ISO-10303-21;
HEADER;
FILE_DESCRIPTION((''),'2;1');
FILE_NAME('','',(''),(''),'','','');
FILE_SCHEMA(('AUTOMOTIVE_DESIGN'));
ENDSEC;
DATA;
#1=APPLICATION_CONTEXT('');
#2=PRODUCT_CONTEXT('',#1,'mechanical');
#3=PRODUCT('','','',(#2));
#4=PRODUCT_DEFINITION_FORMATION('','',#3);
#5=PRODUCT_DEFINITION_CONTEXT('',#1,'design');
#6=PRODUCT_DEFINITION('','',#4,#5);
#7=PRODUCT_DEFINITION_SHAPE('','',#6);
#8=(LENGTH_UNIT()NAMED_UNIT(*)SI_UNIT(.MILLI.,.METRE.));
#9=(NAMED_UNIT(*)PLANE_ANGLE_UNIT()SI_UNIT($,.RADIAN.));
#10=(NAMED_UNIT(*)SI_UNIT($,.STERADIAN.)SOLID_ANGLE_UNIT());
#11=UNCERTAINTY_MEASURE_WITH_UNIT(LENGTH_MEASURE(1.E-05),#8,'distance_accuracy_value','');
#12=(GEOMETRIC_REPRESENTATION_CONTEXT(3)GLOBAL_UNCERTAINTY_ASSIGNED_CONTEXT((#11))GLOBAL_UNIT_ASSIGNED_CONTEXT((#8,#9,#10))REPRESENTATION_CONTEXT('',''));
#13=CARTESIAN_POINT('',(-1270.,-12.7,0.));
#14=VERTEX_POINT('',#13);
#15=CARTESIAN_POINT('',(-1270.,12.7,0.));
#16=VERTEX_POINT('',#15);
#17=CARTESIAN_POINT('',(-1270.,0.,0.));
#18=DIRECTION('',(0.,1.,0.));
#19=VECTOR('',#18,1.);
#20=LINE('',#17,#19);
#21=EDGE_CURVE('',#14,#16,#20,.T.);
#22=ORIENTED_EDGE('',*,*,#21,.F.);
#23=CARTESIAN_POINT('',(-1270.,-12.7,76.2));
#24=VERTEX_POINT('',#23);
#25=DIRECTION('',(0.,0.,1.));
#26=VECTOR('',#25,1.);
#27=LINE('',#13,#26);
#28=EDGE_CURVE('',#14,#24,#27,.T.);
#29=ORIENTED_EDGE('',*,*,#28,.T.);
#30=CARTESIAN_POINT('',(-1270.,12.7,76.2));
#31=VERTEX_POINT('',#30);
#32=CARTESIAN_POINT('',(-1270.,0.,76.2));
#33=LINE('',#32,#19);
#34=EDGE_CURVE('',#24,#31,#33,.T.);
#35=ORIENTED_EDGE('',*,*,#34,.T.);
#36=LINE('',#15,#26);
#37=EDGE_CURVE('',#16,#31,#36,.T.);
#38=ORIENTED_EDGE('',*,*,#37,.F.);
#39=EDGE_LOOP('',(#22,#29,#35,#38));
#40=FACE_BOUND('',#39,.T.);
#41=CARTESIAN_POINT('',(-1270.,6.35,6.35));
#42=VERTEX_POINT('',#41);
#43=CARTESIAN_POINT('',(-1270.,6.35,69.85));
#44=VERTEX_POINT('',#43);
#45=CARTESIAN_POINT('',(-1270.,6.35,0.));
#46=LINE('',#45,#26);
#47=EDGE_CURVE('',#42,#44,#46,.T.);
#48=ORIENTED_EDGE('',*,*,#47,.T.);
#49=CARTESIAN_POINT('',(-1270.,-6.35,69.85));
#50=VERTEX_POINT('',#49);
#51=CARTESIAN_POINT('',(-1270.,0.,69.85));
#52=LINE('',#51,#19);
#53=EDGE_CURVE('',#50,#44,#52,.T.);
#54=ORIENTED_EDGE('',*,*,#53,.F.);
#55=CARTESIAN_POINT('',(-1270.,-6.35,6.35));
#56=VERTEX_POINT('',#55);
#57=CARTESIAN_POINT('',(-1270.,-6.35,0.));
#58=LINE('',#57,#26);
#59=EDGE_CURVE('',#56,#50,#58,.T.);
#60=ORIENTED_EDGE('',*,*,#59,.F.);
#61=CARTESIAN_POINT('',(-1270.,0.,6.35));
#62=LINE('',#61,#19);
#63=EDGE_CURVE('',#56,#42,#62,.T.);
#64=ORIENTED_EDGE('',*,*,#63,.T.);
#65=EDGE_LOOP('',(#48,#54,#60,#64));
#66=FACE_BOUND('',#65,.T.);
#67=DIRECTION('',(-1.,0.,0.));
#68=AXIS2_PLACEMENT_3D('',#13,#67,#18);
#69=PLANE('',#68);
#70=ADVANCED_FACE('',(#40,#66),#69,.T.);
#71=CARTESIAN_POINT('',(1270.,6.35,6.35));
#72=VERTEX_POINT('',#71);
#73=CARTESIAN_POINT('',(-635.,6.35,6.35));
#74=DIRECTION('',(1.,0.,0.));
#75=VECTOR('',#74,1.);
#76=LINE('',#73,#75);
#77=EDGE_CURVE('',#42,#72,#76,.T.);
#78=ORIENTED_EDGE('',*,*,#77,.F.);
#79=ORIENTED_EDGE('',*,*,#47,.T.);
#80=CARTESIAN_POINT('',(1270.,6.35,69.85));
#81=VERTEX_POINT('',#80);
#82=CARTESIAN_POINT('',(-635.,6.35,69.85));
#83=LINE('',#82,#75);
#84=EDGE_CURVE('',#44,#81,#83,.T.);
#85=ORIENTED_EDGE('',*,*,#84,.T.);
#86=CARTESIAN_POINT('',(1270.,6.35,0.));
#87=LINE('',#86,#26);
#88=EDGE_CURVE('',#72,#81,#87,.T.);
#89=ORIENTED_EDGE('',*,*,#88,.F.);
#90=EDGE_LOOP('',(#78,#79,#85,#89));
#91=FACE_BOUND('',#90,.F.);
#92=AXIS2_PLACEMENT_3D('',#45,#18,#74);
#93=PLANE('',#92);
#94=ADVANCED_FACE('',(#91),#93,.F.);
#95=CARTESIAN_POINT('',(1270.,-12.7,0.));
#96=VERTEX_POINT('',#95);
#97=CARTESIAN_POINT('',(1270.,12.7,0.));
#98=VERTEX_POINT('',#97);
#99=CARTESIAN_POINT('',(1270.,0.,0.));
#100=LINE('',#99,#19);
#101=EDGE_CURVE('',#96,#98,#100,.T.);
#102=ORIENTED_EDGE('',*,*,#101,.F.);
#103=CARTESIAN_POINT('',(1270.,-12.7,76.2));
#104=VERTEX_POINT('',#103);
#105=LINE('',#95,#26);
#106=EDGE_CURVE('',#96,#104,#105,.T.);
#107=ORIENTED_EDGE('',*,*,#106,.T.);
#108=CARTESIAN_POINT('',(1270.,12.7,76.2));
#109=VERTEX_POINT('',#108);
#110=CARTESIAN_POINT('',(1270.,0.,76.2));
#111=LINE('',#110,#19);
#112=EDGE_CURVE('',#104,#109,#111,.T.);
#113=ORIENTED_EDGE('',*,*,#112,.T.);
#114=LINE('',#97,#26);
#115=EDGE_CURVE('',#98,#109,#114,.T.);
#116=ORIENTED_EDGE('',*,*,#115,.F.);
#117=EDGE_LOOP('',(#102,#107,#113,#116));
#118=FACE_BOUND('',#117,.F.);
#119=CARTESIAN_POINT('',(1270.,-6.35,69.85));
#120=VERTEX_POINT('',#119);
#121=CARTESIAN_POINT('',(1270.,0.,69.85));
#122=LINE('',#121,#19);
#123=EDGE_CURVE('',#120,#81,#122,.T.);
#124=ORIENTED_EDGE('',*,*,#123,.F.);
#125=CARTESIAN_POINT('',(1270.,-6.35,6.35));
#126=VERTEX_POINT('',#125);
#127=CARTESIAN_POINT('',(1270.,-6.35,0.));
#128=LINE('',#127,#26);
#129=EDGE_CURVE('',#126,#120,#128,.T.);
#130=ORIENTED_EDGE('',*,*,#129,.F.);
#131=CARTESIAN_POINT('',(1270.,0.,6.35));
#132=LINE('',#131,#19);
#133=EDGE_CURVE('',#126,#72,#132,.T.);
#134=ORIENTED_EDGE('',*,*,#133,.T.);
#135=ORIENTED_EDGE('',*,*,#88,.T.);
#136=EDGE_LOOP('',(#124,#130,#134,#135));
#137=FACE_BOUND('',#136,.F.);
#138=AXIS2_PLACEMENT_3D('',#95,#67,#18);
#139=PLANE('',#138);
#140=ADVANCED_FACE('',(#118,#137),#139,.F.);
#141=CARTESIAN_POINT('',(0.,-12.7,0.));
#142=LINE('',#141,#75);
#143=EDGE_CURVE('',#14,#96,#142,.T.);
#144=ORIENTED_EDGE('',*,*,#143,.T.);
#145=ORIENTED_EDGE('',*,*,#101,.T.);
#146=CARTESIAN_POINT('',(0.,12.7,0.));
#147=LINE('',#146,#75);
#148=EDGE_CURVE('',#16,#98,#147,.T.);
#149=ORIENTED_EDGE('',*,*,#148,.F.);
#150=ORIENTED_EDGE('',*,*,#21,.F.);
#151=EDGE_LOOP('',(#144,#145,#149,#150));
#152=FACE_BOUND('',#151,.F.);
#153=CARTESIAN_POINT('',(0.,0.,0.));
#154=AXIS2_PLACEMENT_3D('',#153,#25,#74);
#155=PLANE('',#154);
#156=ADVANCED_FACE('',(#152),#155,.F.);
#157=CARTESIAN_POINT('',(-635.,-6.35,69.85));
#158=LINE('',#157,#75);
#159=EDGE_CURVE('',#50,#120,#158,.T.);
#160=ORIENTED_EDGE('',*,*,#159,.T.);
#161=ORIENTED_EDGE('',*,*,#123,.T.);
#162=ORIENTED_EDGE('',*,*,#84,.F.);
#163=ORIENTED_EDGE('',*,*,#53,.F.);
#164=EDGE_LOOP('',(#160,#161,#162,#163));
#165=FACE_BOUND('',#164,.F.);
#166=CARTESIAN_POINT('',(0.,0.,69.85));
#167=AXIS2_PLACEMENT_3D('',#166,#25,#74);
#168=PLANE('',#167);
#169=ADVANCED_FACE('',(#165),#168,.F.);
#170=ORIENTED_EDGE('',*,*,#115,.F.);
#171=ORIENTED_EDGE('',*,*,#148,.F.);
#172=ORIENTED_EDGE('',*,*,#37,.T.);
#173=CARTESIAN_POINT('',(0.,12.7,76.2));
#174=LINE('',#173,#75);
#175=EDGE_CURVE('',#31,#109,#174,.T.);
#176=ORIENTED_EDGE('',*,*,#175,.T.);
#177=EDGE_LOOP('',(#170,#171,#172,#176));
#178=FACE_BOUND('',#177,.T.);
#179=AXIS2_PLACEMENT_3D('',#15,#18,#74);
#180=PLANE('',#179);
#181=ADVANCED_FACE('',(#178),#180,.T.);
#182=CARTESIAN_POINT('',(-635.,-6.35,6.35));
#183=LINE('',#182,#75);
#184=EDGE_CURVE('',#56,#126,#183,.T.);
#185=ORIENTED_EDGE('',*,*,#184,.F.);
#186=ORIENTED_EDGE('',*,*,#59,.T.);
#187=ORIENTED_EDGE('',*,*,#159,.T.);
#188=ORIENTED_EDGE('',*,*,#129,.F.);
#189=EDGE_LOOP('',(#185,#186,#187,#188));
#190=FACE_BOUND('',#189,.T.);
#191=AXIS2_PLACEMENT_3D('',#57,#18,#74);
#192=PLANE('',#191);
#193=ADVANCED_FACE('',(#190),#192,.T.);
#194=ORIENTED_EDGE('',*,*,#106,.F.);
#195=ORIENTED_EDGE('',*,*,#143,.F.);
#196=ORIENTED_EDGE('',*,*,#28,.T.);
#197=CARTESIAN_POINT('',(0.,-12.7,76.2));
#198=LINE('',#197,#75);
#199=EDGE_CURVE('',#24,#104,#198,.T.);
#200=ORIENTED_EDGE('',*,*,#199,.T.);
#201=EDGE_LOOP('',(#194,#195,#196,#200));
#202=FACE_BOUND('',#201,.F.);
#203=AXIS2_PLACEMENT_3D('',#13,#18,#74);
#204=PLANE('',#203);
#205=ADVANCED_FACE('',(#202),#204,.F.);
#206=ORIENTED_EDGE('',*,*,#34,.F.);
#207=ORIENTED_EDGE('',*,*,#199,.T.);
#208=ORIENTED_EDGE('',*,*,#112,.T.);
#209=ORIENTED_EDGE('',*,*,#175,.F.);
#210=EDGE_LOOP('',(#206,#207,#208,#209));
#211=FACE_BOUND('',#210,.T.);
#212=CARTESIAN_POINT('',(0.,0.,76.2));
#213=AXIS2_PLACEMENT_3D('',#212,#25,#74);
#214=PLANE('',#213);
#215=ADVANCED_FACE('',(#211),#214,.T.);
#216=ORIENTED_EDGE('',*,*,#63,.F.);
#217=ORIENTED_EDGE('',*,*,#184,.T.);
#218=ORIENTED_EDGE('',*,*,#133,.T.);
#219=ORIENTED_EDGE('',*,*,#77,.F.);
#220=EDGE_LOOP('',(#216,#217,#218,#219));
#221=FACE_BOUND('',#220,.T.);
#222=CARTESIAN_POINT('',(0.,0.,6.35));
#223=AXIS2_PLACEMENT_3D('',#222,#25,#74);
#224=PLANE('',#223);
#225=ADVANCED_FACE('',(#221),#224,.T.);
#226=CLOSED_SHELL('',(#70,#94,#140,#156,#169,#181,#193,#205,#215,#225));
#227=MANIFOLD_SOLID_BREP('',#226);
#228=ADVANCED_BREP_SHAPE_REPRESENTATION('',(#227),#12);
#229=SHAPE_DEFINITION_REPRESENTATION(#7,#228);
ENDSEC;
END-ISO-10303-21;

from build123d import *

# Parameters (mm, degrees)
F0_W     = 2540
F0_H     = 25.4
F1_DEPTH = 76.2
F2_T     = -6.35


with BuildPart() as f1:
    # F0 (on Top) → F1 (new body)
    with BuildSketch(Plane.XY):
        Rectangle(F0_W, F0_H)
    extrude(amount=F1_DEPTH)

    # F2
    f2_openings = [f1.faces().sort_by_distance(p)[0] for p in [
        (1270, 0, 38.1),
        (-1270, 0, 38.1),
    ]]
    offset(amount=F2_T, openings=f2_openings)


solid = f1.part
